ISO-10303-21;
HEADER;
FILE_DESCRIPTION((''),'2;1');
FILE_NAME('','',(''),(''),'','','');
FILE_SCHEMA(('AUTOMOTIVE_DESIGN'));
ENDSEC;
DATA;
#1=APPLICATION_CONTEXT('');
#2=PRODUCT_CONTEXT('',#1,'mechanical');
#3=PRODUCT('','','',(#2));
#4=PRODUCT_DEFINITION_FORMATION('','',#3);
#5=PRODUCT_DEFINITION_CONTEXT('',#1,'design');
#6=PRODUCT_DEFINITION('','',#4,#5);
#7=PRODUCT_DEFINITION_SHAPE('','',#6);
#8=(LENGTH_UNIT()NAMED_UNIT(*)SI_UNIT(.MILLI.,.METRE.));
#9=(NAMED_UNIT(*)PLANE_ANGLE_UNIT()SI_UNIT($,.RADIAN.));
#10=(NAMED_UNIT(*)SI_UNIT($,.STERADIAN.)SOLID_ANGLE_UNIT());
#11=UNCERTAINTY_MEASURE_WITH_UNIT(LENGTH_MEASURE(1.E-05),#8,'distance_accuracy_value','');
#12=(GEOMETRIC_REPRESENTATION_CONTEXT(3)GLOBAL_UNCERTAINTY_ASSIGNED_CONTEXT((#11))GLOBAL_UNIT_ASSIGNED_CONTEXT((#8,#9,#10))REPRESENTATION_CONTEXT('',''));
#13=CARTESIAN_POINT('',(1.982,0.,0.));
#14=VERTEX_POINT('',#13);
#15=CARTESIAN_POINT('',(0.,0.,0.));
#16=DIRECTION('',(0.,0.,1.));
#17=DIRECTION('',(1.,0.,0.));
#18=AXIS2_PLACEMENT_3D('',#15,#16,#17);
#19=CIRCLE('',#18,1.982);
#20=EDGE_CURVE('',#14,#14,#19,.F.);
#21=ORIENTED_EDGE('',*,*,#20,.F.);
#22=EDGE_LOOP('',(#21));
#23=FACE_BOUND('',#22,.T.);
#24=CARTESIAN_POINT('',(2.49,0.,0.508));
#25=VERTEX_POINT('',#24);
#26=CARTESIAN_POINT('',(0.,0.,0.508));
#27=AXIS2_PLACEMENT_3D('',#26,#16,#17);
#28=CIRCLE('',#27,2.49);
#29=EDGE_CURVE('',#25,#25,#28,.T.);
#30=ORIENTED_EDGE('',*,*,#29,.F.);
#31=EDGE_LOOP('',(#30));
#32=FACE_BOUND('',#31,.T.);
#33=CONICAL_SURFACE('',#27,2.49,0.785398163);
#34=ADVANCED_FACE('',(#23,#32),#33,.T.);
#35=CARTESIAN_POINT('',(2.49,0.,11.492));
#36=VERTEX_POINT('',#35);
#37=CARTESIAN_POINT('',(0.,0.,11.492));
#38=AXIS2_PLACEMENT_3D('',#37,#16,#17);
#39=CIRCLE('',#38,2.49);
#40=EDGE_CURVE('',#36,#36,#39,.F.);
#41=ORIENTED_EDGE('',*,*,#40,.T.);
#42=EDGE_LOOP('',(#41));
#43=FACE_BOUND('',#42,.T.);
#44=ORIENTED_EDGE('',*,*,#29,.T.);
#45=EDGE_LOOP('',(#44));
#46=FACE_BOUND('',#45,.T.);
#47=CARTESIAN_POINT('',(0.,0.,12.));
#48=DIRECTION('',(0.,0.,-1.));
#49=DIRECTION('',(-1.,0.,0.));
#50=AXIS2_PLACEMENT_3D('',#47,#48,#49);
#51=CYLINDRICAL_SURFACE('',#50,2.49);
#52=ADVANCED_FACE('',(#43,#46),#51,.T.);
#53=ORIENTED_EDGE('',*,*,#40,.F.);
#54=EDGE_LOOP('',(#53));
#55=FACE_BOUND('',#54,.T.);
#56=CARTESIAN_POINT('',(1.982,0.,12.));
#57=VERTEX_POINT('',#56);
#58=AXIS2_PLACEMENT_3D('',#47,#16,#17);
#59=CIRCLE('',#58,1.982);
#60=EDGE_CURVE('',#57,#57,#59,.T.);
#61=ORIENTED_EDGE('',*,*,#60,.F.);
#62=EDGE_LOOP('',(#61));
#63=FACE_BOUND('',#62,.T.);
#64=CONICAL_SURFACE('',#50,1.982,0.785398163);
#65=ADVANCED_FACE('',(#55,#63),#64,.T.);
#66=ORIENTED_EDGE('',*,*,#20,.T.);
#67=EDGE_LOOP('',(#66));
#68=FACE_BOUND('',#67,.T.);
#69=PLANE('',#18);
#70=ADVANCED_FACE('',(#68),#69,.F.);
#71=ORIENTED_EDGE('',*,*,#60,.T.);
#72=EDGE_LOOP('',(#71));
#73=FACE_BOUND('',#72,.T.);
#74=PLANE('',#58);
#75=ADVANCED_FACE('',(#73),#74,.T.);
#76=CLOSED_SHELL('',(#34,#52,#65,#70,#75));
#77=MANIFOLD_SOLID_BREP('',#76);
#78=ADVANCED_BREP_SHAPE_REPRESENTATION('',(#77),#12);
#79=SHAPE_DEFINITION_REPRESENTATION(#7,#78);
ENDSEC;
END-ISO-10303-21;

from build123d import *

# Parameters (mm, degrees)
SKETCH1_R      = 2.49
EXTRUDE1_DEPTH = 12
CHAMFER1_SIZE  = 0.508


with BuildPart() as part:
    # Sketch1 → Extrude1 (new body)
    with BuildSketch(Plane.XY):
        Circle(SKETCH1_R)
    extrude(amount=EXTRUDE1_DEPTH)

    # Chamfer1
    chamfer1_edges = [part.edges().sort_by_distance(p)[0] for p in [
        (-2.49, 0, 0),
        (-2.49, 0, 12),
    ]]
    chamfer(chamfer1_edges, length=CHAMFER1_SIZE)


solid = part.part
